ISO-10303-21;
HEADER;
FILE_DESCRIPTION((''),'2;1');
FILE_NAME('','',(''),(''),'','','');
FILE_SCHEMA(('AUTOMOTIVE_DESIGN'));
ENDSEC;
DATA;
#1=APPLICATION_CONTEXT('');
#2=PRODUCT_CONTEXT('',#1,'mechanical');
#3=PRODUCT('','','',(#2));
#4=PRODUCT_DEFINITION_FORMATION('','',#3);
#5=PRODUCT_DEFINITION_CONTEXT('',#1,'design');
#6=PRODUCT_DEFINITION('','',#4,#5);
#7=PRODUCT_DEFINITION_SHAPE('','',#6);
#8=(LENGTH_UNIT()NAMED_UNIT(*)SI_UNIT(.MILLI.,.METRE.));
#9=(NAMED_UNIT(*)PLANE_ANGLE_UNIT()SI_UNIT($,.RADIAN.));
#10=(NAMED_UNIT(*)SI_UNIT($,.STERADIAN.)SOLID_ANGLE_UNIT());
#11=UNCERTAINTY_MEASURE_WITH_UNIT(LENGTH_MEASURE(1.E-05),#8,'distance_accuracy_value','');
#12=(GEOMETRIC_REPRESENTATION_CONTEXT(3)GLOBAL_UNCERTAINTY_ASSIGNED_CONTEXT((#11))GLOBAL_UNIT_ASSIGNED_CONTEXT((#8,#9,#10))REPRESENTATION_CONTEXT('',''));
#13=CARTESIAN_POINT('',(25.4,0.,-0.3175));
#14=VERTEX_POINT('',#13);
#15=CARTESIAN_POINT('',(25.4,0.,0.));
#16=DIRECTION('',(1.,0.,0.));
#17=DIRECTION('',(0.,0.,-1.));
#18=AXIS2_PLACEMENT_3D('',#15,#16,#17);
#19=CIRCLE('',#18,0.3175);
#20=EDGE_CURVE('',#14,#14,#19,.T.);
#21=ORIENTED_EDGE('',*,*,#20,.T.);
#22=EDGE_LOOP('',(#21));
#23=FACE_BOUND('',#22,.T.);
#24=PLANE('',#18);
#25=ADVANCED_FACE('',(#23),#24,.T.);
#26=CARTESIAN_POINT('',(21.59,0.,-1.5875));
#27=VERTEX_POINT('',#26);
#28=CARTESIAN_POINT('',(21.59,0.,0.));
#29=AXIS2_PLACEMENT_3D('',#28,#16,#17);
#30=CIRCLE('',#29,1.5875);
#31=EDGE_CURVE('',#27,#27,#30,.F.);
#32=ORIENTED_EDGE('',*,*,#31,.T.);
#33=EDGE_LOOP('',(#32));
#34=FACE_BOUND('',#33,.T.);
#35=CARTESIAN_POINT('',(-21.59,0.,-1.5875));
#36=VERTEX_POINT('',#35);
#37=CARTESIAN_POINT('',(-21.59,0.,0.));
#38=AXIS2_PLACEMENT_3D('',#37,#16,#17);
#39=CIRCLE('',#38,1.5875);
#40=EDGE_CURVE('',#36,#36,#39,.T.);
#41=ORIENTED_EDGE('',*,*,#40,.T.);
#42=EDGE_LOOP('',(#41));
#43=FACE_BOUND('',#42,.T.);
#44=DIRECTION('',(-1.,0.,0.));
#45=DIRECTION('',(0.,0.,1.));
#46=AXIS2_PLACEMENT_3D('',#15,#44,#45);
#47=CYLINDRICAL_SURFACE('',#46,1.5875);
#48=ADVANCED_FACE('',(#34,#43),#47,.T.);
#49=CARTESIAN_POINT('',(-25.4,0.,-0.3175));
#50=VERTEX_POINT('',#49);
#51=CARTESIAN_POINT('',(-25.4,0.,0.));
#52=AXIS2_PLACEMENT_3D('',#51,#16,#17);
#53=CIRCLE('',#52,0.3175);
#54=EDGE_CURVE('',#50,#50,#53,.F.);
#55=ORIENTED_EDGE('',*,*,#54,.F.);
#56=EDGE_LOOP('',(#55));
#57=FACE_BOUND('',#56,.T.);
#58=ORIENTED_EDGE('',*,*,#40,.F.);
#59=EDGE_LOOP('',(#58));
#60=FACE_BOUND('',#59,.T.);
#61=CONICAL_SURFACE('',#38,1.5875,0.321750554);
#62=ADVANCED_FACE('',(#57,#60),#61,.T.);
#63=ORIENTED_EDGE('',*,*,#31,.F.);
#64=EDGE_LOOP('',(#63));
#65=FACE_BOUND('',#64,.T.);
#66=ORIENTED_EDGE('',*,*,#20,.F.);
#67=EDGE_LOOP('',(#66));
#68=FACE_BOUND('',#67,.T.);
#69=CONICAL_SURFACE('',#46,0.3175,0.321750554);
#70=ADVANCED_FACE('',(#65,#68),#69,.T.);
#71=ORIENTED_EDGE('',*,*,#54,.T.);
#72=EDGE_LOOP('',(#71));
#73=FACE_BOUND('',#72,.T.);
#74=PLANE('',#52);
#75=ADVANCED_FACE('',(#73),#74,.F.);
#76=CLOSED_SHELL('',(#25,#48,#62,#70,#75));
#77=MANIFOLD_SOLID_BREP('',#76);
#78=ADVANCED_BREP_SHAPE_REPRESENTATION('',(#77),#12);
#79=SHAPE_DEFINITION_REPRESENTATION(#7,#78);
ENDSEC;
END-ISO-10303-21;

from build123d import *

# Parameters (mm, degrees)
SKETCH1_R          = 1.5875
MAIN_DEPTH         = 25.4
ENDS_CHAMFER_SIZE  = 3.81
ENDS_CHAMFER_SIZE2 = 1.27


with BuildPart() as part:
    # Sketch1 → main (new body, symmetric)
    with BuildSketch(Plane(origin=(0, 0, 0), x_dir=(0, 0, -1), z_dir=(1, 0, 0))):
        Circle(SKETCH1_R)
    extrude(amount=MAIN_DEPTH, both=True)

    # ends chamfer
    ends_chamfer_edges = [part.edges().sort_by_distance(p)[0] for p in [
        (-25.4, 0, 1.5875),
        (25.4, 0, 1.5875),
    ]]
    ends_chamfer_side = [part.faces().sort_by_distance(p)[0] for p in [
        (0, 0, 1.5875),
    ]]
    chamfer(ends_chamfer_edges, length=ENDS_CHAMFER_SIZE, length2=ENDS_CHAMFER_SIZE2, reference=ends_chamfer_side[0])


solid = part.part
